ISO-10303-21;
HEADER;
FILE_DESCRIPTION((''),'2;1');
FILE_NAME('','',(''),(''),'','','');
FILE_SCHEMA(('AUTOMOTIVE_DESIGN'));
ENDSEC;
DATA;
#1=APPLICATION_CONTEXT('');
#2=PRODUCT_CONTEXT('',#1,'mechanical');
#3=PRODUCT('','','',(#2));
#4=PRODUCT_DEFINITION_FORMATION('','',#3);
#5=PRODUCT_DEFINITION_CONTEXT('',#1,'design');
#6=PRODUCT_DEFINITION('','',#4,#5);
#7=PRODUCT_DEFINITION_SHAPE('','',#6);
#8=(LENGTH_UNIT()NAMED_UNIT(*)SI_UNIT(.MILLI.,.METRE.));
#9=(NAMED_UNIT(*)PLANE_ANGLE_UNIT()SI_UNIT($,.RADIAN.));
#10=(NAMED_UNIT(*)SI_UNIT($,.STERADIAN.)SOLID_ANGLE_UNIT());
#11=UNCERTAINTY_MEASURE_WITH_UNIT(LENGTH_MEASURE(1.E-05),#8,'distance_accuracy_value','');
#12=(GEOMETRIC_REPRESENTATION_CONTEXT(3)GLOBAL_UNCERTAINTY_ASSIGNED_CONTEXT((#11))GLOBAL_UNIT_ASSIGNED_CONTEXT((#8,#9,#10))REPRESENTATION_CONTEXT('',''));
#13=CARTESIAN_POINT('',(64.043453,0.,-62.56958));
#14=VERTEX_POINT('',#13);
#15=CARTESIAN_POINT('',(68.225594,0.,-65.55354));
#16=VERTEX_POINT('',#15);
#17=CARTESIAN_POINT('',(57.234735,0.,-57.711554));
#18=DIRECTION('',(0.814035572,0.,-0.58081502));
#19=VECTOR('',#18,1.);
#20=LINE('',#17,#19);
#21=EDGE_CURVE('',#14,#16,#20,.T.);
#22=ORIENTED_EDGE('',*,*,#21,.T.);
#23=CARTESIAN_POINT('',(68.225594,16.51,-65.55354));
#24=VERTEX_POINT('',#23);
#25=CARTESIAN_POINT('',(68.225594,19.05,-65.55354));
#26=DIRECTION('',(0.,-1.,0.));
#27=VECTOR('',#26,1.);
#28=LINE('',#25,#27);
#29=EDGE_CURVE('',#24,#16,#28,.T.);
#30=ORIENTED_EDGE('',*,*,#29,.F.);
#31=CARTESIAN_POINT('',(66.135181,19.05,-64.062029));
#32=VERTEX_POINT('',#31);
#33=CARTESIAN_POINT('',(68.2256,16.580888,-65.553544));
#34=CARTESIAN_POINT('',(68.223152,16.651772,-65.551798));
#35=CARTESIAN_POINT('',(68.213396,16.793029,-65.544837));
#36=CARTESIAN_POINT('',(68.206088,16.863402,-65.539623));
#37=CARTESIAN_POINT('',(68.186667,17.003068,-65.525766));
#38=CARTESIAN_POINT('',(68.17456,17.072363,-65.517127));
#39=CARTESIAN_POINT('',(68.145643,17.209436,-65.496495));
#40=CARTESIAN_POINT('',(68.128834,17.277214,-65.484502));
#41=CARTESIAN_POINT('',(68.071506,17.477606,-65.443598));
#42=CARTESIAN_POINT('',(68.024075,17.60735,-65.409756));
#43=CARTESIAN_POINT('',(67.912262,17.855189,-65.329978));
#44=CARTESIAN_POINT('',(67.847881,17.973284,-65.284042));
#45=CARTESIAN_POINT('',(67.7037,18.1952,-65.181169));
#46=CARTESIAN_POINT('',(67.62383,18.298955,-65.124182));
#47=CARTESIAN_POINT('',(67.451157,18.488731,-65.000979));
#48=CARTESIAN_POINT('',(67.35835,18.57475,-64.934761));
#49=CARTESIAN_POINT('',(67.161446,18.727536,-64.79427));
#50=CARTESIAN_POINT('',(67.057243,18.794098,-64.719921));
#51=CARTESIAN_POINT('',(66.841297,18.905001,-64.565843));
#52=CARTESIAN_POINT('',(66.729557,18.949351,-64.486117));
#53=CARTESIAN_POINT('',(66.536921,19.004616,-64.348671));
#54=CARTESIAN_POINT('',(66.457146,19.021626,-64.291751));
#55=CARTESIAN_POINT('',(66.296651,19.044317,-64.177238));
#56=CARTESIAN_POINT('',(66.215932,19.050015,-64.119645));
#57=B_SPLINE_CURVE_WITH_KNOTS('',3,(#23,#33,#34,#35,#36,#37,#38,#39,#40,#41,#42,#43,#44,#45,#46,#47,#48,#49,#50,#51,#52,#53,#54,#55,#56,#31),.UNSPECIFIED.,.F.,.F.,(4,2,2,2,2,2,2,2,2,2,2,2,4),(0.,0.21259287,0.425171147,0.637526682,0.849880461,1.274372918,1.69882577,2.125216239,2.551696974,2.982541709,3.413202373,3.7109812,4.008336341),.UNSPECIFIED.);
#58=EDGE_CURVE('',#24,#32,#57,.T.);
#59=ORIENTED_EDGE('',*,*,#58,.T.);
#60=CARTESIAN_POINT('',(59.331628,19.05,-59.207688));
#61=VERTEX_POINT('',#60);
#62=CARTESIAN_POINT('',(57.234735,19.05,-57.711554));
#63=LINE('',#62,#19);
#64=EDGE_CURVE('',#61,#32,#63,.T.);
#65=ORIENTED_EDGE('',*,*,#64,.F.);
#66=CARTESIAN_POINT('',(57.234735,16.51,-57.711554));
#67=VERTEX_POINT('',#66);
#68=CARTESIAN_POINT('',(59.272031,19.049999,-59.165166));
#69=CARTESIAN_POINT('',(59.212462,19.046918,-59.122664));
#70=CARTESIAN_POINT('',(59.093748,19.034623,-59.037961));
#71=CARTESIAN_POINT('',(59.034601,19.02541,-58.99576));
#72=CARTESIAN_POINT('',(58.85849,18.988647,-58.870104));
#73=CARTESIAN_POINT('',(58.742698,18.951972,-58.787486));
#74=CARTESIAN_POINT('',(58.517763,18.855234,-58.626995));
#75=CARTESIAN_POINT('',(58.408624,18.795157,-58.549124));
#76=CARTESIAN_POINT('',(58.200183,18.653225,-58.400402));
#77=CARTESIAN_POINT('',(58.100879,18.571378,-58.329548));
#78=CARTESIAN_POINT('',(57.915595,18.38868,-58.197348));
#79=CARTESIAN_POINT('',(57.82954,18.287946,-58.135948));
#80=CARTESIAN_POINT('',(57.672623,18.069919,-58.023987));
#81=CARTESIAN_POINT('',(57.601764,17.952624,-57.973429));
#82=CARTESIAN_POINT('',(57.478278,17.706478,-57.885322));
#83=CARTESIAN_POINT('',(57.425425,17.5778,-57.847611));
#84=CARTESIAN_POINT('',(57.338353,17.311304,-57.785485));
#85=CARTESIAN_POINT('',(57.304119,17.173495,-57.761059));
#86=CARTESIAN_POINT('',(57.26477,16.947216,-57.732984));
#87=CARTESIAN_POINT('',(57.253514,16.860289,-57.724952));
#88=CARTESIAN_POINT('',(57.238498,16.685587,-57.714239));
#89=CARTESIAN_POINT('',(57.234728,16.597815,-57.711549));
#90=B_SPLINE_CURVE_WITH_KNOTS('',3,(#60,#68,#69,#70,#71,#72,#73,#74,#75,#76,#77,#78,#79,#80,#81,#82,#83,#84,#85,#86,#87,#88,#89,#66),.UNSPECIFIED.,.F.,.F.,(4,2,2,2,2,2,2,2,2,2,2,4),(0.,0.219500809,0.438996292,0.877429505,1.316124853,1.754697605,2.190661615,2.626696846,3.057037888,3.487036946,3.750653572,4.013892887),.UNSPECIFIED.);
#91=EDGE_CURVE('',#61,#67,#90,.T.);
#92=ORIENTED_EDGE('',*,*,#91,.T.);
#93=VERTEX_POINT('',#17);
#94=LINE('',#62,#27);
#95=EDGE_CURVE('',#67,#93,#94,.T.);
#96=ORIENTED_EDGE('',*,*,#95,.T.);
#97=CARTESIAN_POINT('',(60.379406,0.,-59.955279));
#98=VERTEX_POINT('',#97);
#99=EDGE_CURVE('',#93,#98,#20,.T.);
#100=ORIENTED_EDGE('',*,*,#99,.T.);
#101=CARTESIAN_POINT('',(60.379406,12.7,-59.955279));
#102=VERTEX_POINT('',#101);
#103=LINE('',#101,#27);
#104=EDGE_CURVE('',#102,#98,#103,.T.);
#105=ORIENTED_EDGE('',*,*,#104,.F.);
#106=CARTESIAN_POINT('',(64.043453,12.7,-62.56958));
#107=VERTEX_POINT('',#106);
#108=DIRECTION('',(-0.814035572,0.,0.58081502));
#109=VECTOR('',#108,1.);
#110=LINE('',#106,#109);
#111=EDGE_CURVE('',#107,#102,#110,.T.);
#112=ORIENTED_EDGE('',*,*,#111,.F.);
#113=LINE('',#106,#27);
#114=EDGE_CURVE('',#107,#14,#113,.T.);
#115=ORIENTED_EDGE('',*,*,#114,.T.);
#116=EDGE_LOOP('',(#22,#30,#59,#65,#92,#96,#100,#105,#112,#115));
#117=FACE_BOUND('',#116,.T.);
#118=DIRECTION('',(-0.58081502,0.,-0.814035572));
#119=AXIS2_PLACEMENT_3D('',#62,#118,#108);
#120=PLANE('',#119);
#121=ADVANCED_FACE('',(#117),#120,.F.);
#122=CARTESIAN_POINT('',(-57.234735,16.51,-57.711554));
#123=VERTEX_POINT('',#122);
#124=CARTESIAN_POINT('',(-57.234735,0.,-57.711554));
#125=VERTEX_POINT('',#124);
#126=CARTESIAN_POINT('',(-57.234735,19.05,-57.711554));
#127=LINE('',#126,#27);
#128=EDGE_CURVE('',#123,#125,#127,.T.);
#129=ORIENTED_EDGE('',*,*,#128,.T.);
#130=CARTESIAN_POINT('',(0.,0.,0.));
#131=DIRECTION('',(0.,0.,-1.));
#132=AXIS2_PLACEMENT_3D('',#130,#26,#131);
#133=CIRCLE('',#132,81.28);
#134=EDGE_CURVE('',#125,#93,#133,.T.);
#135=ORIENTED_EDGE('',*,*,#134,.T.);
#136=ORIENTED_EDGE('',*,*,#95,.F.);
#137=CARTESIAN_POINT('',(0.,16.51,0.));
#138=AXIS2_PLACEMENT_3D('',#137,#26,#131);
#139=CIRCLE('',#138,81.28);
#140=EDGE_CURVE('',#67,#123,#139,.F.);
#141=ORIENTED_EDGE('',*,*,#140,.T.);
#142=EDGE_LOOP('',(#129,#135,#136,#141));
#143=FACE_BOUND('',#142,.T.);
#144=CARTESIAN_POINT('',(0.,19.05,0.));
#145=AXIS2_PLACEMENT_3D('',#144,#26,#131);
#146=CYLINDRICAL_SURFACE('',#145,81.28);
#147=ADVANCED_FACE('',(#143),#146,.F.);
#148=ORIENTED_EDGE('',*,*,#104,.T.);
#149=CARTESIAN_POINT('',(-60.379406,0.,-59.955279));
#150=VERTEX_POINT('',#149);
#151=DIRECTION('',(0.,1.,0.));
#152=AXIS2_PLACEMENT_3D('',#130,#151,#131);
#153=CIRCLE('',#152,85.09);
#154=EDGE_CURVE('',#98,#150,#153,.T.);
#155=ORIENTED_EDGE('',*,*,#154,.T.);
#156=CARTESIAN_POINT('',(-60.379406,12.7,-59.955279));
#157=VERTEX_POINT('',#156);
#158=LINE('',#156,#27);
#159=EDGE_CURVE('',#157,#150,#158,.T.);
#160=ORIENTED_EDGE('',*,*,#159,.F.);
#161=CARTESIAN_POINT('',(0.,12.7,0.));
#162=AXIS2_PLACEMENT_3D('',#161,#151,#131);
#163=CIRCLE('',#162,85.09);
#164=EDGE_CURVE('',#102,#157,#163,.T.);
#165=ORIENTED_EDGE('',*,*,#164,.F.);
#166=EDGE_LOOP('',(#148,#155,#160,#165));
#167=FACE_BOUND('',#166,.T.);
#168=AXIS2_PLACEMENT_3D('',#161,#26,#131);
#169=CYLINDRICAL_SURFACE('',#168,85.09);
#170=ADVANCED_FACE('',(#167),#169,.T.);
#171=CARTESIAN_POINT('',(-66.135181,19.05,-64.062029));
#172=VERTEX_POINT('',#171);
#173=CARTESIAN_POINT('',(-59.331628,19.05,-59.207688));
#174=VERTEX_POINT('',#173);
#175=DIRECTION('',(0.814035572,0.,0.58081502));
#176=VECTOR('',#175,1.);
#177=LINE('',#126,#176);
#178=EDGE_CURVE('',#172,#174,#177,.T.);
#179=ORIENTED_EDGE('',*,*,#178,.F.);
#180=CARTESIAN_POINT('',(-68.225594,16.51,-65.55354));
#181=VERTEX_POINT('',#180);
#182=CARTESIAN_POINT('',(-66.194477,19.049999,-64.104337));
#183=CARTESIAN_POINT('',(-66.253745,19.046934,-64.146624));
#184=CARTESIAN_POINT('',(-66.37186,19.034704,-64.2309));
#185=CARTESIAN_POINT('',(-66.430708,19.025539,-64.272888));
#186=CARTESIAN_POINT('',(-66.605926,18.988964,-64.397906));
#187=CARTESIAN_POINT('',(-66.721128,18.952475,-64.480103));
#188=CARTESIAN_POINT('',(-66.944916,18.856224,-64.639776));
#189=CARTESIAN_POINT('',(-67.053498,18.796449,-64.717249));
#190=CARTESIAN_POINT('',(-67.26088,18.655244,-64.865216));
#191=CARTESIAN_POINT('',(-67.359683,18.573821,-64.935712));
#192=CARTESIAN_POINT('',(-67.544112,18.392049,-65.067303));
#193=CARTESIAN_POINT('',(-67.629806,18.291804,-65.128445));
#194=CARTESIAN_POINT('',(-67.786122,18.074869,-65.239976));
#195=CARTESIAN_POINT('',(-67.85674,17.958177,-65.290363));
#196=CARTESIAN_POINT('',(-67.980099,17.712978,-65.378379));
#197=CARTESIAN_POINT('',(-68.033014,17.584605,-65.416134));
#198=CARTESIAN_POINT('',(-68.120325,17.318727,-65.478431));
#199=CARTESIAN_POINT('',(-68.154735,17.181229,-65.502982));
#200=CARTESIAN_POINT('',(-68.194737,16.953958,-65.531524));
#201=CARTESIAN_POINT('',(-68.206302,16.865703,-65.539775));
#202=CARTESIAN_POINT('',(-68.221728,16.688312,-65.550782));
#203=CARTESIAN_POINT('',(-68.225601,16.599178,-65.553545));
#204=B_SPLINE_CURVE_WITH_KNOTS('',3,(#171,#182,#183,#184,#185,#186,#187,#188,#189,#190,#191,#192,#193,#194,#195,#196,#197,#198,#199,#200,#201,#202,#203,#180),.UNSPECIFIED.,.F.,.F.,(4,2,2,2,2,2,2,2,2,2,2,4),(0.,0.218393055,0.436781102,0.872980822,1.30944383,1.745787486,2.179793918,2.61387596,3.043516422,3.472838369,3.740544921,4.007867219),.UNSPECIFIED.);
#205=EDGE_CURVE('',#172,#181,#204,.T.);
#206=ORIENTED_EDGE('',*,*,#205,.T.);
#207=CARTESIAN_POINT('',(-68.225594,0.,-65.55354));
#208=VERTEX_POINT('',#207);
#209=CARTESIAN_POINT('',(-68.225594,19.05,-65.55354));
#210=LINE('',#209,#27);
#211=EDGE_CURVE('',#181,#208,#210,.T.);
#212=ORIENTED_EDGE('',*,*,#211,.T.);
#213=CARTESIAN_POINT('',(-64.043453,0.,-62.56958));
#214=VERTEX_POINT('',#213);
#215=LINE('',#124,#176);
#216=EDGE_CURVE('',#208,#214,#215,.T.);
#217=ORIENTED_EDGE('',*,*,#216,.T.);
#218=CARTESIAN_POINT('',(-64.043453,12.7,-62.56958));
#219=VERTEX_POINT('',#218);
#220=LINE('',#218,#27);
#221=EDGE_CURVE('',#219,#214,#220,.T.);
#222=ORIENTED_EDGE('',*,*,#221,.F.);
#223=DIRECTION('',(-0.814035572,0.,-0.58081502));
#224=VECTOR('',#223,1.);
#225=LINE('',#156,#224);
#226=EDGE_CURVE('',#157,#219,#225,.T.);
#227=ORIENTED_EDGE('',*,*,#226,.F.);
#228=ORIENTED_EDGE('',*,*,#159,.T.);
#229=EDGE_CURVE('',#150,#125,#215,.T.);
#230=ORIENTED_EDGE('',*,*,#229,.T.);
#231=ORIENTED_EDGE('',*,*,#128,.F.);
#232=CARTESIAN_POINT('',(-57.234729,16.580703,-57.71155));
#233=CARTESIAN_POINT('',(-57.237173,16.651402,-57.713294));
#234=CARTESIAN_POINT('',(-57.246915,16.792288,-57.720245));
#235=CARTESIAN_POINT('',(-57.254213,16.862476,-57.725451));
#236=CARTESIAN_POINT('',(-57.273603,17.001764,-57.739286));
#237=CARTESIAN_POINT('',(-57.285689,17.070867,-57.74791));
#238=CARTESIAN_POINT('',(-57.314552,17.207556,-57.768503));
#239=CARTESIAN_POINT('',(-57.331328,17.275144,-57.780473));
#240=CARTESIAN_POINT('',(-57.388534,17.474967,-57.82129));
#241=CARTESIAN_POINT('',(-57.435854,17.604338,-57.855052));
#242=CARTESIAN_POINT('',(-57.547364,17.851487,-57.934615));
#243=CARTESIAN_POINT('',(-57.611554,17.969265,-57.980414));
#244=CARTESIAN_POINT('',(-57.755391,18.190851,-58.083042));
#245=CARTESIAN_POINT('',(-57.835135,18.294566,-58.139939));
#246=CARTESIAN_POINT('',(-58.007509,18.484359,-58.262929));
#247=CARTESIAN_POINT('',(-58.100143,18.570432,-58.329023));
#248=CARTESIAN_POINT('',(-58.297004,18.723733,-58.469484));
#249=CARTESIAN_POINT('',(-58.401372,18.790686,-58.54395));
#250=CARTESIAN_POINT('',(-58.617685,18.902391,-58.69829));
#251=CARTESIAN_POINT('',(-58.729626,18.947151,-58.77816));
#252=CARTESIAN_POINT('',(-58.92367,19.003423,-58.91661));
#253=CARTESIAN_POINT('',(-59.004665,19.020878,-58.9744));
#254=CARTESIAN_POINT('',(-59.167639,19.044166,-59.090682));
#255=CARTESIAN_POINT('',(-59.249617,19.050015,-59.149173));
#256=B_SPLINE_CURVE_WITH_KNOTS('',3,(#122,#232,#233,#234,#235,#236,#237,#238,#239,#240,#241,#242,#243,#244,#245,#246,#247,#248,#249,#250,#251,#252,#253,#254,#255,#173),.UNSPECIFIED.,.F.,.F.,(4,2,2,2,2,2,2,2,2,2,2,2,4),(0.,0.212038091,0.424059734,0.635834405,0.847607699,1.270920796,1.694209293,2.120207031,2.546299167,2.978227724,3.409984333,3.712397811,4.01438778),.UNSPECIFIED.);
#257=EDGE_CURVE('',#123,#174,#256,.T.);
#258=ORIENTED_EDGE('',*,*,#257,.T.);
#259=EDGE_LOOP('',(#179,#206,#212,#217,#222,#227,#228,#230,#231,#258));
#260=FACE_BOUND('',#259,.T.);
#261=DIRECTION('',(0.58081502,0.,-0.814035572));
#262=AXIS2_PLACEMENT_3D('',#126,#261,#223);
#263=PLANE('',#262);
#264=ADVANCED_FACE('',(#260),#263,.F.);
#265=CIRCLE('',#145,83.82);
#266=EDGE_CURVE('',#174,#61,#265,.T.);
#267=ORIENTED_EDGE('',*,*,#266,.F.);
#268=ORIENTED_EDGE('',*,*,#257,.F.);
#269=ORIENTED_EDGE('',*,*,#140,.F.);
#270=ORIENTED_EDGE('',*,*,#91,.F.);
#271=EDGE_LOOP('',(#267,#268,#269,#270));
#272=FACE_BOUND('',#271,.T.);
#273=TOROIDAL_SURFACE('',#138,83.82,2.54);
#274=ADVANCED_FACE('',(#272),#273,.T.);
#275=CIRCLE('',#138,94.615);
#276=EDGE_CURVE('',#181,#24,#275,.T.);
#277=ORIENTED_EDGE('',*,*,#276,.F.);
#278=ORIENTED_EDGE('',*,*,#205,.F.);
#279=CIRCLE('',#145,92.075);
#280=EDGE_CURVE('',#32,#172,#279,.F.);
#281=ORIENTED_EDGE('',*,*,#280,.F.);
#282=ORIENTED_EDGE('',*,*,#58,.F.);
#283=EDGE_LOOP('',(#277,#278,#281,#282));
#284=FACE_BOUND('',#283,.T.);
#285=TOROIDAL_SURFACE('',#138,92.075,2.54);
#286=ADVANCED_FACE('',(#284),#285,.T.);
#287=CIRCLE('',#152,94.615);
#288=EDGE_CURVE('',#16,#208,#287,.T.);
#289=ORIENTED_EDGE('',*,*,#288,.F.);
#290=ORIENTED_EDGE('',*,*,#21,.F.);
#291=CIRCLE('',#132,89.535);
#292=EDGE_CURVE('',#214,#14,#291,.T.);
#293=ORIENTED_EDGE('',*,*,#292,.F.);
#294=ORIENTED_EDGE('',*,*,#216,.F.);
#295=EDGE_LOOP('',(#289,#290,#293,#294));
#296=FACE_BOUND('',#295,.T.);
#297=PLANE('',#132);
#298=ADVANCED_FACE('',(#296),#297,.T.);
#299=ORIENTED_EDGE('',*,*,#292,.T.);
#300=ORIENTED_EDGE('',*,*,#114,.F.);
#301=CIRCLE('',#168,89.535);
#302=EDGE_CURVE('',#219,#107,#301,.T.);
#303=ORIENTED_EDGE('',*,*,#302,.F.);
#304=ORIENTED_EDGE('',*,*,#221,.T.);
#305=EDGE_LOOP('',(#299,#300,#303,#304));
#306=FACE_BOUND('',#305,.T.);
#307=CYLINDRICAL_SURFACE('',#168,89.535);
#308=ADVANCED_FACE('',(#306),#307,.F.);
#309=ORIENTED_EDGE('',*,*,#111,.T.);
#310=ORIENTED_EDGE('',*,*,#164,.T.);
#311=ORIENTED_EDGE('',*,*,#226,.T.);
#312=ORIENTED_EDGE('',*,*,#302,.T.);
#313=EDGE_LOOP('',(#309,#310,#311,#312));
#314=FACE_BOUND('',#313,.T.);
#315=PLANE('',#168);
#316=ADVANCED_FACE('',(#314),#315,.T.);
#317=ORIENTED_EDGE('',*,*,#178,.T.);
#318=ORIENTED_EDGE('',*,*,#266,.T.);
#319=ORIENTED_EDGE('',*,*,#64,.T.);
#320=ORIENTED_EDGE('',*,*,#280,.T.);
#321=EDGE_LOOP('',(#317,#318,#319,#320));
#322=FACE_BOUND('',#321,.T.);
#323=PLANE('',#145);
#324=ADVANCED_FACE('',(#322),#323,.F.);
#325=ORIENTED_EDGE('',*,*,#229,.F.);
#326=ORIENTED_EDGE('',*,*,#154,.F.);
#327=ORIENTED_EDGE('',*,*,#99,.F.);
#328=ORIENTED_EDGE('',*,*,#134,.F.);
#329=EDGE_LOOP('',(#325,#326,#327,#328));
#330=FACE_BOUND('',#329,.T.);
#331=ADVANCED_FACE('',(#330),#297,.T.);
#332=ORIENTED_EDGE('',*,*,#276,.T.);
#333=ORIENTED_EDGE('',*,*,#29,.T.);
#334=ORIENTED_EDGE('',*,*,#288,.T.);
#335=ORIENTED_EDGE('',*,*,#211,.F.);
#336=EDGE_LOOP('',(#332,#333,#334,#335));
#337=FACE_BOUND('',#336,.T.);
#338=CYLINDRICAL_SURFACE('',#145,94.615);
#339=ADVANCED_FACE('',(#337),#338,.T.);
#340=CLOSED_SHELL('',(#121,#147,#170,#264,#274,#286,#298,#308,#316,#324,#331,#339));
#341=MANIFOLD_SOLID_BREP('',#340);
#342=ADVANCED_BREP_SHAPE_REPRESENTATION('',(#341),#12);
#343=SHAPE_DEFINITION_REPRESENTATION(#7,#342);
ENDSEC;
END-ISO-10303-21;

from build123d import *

# Parameters (mm, degrees)
BOSS_EXTRUDE1_DEPTH = 19.05
CUT_EXTRUDE1_DEPTH  = 12.7
FILLET1_R           = 2.54


with BuildPart() as part:
    # Sketch1 → Boss-Extrude1 (new body)
    with BuildSketch(Plane(origin=(0, 0, 0), x_dir=(1, 0, 0), z_dir=(0, 1, 0))):
        with BuildLine():
            Line((57.234735331, 57.711554056), (68.22559355, 65.553540024))
            ThreePointArc((68.22559355, 65.553540024), (0, 94.615), (-68.22559355, 65.553540024))
            Line((-68.22559355, 65.553540024), (-57.234735331, 57.711554056))
            ThreePointArc((-57.234735331, 57.711554056), (0, 81.28), (57.234735331, 57.711554056))
        make_face()
    extrude(amount=BOSS_EXTRUDE1_DEPTH)

    # Sketch3 → Cut-Extrude1 (cut)
    with BuildSketch(Plane.XZ):
        with BuildLine():
            Line((-60.379405736, -59.955278859), (-64.043453365, -62.569579718))
            ThreePointArc((-64.043453365, -62.569579718), (0, -89.535), (64.043453365, -62.569579718))
            Line((64.043453365, -62.569579718), (60.379405736, -59.955278859))
            ThreePointArc((60.379405736, -59.955278859), (0, -85.09), (-60.379405736, -59.955278859))
        make_face()
    extrude(amount=-CUT_EXTRUDE1_DEPTH, mode=Mode.SUBTRACT)

    # Fillet1
    fillet1_edges = [part.edges().sort_by_distance(p)[0] for p in [
        (0, 19.05, -81.28),
        (0, 19.05, -94.615),
    ]]
    fillet(fillet1_edges, radius=FILLET1_R)


solid = part.part
